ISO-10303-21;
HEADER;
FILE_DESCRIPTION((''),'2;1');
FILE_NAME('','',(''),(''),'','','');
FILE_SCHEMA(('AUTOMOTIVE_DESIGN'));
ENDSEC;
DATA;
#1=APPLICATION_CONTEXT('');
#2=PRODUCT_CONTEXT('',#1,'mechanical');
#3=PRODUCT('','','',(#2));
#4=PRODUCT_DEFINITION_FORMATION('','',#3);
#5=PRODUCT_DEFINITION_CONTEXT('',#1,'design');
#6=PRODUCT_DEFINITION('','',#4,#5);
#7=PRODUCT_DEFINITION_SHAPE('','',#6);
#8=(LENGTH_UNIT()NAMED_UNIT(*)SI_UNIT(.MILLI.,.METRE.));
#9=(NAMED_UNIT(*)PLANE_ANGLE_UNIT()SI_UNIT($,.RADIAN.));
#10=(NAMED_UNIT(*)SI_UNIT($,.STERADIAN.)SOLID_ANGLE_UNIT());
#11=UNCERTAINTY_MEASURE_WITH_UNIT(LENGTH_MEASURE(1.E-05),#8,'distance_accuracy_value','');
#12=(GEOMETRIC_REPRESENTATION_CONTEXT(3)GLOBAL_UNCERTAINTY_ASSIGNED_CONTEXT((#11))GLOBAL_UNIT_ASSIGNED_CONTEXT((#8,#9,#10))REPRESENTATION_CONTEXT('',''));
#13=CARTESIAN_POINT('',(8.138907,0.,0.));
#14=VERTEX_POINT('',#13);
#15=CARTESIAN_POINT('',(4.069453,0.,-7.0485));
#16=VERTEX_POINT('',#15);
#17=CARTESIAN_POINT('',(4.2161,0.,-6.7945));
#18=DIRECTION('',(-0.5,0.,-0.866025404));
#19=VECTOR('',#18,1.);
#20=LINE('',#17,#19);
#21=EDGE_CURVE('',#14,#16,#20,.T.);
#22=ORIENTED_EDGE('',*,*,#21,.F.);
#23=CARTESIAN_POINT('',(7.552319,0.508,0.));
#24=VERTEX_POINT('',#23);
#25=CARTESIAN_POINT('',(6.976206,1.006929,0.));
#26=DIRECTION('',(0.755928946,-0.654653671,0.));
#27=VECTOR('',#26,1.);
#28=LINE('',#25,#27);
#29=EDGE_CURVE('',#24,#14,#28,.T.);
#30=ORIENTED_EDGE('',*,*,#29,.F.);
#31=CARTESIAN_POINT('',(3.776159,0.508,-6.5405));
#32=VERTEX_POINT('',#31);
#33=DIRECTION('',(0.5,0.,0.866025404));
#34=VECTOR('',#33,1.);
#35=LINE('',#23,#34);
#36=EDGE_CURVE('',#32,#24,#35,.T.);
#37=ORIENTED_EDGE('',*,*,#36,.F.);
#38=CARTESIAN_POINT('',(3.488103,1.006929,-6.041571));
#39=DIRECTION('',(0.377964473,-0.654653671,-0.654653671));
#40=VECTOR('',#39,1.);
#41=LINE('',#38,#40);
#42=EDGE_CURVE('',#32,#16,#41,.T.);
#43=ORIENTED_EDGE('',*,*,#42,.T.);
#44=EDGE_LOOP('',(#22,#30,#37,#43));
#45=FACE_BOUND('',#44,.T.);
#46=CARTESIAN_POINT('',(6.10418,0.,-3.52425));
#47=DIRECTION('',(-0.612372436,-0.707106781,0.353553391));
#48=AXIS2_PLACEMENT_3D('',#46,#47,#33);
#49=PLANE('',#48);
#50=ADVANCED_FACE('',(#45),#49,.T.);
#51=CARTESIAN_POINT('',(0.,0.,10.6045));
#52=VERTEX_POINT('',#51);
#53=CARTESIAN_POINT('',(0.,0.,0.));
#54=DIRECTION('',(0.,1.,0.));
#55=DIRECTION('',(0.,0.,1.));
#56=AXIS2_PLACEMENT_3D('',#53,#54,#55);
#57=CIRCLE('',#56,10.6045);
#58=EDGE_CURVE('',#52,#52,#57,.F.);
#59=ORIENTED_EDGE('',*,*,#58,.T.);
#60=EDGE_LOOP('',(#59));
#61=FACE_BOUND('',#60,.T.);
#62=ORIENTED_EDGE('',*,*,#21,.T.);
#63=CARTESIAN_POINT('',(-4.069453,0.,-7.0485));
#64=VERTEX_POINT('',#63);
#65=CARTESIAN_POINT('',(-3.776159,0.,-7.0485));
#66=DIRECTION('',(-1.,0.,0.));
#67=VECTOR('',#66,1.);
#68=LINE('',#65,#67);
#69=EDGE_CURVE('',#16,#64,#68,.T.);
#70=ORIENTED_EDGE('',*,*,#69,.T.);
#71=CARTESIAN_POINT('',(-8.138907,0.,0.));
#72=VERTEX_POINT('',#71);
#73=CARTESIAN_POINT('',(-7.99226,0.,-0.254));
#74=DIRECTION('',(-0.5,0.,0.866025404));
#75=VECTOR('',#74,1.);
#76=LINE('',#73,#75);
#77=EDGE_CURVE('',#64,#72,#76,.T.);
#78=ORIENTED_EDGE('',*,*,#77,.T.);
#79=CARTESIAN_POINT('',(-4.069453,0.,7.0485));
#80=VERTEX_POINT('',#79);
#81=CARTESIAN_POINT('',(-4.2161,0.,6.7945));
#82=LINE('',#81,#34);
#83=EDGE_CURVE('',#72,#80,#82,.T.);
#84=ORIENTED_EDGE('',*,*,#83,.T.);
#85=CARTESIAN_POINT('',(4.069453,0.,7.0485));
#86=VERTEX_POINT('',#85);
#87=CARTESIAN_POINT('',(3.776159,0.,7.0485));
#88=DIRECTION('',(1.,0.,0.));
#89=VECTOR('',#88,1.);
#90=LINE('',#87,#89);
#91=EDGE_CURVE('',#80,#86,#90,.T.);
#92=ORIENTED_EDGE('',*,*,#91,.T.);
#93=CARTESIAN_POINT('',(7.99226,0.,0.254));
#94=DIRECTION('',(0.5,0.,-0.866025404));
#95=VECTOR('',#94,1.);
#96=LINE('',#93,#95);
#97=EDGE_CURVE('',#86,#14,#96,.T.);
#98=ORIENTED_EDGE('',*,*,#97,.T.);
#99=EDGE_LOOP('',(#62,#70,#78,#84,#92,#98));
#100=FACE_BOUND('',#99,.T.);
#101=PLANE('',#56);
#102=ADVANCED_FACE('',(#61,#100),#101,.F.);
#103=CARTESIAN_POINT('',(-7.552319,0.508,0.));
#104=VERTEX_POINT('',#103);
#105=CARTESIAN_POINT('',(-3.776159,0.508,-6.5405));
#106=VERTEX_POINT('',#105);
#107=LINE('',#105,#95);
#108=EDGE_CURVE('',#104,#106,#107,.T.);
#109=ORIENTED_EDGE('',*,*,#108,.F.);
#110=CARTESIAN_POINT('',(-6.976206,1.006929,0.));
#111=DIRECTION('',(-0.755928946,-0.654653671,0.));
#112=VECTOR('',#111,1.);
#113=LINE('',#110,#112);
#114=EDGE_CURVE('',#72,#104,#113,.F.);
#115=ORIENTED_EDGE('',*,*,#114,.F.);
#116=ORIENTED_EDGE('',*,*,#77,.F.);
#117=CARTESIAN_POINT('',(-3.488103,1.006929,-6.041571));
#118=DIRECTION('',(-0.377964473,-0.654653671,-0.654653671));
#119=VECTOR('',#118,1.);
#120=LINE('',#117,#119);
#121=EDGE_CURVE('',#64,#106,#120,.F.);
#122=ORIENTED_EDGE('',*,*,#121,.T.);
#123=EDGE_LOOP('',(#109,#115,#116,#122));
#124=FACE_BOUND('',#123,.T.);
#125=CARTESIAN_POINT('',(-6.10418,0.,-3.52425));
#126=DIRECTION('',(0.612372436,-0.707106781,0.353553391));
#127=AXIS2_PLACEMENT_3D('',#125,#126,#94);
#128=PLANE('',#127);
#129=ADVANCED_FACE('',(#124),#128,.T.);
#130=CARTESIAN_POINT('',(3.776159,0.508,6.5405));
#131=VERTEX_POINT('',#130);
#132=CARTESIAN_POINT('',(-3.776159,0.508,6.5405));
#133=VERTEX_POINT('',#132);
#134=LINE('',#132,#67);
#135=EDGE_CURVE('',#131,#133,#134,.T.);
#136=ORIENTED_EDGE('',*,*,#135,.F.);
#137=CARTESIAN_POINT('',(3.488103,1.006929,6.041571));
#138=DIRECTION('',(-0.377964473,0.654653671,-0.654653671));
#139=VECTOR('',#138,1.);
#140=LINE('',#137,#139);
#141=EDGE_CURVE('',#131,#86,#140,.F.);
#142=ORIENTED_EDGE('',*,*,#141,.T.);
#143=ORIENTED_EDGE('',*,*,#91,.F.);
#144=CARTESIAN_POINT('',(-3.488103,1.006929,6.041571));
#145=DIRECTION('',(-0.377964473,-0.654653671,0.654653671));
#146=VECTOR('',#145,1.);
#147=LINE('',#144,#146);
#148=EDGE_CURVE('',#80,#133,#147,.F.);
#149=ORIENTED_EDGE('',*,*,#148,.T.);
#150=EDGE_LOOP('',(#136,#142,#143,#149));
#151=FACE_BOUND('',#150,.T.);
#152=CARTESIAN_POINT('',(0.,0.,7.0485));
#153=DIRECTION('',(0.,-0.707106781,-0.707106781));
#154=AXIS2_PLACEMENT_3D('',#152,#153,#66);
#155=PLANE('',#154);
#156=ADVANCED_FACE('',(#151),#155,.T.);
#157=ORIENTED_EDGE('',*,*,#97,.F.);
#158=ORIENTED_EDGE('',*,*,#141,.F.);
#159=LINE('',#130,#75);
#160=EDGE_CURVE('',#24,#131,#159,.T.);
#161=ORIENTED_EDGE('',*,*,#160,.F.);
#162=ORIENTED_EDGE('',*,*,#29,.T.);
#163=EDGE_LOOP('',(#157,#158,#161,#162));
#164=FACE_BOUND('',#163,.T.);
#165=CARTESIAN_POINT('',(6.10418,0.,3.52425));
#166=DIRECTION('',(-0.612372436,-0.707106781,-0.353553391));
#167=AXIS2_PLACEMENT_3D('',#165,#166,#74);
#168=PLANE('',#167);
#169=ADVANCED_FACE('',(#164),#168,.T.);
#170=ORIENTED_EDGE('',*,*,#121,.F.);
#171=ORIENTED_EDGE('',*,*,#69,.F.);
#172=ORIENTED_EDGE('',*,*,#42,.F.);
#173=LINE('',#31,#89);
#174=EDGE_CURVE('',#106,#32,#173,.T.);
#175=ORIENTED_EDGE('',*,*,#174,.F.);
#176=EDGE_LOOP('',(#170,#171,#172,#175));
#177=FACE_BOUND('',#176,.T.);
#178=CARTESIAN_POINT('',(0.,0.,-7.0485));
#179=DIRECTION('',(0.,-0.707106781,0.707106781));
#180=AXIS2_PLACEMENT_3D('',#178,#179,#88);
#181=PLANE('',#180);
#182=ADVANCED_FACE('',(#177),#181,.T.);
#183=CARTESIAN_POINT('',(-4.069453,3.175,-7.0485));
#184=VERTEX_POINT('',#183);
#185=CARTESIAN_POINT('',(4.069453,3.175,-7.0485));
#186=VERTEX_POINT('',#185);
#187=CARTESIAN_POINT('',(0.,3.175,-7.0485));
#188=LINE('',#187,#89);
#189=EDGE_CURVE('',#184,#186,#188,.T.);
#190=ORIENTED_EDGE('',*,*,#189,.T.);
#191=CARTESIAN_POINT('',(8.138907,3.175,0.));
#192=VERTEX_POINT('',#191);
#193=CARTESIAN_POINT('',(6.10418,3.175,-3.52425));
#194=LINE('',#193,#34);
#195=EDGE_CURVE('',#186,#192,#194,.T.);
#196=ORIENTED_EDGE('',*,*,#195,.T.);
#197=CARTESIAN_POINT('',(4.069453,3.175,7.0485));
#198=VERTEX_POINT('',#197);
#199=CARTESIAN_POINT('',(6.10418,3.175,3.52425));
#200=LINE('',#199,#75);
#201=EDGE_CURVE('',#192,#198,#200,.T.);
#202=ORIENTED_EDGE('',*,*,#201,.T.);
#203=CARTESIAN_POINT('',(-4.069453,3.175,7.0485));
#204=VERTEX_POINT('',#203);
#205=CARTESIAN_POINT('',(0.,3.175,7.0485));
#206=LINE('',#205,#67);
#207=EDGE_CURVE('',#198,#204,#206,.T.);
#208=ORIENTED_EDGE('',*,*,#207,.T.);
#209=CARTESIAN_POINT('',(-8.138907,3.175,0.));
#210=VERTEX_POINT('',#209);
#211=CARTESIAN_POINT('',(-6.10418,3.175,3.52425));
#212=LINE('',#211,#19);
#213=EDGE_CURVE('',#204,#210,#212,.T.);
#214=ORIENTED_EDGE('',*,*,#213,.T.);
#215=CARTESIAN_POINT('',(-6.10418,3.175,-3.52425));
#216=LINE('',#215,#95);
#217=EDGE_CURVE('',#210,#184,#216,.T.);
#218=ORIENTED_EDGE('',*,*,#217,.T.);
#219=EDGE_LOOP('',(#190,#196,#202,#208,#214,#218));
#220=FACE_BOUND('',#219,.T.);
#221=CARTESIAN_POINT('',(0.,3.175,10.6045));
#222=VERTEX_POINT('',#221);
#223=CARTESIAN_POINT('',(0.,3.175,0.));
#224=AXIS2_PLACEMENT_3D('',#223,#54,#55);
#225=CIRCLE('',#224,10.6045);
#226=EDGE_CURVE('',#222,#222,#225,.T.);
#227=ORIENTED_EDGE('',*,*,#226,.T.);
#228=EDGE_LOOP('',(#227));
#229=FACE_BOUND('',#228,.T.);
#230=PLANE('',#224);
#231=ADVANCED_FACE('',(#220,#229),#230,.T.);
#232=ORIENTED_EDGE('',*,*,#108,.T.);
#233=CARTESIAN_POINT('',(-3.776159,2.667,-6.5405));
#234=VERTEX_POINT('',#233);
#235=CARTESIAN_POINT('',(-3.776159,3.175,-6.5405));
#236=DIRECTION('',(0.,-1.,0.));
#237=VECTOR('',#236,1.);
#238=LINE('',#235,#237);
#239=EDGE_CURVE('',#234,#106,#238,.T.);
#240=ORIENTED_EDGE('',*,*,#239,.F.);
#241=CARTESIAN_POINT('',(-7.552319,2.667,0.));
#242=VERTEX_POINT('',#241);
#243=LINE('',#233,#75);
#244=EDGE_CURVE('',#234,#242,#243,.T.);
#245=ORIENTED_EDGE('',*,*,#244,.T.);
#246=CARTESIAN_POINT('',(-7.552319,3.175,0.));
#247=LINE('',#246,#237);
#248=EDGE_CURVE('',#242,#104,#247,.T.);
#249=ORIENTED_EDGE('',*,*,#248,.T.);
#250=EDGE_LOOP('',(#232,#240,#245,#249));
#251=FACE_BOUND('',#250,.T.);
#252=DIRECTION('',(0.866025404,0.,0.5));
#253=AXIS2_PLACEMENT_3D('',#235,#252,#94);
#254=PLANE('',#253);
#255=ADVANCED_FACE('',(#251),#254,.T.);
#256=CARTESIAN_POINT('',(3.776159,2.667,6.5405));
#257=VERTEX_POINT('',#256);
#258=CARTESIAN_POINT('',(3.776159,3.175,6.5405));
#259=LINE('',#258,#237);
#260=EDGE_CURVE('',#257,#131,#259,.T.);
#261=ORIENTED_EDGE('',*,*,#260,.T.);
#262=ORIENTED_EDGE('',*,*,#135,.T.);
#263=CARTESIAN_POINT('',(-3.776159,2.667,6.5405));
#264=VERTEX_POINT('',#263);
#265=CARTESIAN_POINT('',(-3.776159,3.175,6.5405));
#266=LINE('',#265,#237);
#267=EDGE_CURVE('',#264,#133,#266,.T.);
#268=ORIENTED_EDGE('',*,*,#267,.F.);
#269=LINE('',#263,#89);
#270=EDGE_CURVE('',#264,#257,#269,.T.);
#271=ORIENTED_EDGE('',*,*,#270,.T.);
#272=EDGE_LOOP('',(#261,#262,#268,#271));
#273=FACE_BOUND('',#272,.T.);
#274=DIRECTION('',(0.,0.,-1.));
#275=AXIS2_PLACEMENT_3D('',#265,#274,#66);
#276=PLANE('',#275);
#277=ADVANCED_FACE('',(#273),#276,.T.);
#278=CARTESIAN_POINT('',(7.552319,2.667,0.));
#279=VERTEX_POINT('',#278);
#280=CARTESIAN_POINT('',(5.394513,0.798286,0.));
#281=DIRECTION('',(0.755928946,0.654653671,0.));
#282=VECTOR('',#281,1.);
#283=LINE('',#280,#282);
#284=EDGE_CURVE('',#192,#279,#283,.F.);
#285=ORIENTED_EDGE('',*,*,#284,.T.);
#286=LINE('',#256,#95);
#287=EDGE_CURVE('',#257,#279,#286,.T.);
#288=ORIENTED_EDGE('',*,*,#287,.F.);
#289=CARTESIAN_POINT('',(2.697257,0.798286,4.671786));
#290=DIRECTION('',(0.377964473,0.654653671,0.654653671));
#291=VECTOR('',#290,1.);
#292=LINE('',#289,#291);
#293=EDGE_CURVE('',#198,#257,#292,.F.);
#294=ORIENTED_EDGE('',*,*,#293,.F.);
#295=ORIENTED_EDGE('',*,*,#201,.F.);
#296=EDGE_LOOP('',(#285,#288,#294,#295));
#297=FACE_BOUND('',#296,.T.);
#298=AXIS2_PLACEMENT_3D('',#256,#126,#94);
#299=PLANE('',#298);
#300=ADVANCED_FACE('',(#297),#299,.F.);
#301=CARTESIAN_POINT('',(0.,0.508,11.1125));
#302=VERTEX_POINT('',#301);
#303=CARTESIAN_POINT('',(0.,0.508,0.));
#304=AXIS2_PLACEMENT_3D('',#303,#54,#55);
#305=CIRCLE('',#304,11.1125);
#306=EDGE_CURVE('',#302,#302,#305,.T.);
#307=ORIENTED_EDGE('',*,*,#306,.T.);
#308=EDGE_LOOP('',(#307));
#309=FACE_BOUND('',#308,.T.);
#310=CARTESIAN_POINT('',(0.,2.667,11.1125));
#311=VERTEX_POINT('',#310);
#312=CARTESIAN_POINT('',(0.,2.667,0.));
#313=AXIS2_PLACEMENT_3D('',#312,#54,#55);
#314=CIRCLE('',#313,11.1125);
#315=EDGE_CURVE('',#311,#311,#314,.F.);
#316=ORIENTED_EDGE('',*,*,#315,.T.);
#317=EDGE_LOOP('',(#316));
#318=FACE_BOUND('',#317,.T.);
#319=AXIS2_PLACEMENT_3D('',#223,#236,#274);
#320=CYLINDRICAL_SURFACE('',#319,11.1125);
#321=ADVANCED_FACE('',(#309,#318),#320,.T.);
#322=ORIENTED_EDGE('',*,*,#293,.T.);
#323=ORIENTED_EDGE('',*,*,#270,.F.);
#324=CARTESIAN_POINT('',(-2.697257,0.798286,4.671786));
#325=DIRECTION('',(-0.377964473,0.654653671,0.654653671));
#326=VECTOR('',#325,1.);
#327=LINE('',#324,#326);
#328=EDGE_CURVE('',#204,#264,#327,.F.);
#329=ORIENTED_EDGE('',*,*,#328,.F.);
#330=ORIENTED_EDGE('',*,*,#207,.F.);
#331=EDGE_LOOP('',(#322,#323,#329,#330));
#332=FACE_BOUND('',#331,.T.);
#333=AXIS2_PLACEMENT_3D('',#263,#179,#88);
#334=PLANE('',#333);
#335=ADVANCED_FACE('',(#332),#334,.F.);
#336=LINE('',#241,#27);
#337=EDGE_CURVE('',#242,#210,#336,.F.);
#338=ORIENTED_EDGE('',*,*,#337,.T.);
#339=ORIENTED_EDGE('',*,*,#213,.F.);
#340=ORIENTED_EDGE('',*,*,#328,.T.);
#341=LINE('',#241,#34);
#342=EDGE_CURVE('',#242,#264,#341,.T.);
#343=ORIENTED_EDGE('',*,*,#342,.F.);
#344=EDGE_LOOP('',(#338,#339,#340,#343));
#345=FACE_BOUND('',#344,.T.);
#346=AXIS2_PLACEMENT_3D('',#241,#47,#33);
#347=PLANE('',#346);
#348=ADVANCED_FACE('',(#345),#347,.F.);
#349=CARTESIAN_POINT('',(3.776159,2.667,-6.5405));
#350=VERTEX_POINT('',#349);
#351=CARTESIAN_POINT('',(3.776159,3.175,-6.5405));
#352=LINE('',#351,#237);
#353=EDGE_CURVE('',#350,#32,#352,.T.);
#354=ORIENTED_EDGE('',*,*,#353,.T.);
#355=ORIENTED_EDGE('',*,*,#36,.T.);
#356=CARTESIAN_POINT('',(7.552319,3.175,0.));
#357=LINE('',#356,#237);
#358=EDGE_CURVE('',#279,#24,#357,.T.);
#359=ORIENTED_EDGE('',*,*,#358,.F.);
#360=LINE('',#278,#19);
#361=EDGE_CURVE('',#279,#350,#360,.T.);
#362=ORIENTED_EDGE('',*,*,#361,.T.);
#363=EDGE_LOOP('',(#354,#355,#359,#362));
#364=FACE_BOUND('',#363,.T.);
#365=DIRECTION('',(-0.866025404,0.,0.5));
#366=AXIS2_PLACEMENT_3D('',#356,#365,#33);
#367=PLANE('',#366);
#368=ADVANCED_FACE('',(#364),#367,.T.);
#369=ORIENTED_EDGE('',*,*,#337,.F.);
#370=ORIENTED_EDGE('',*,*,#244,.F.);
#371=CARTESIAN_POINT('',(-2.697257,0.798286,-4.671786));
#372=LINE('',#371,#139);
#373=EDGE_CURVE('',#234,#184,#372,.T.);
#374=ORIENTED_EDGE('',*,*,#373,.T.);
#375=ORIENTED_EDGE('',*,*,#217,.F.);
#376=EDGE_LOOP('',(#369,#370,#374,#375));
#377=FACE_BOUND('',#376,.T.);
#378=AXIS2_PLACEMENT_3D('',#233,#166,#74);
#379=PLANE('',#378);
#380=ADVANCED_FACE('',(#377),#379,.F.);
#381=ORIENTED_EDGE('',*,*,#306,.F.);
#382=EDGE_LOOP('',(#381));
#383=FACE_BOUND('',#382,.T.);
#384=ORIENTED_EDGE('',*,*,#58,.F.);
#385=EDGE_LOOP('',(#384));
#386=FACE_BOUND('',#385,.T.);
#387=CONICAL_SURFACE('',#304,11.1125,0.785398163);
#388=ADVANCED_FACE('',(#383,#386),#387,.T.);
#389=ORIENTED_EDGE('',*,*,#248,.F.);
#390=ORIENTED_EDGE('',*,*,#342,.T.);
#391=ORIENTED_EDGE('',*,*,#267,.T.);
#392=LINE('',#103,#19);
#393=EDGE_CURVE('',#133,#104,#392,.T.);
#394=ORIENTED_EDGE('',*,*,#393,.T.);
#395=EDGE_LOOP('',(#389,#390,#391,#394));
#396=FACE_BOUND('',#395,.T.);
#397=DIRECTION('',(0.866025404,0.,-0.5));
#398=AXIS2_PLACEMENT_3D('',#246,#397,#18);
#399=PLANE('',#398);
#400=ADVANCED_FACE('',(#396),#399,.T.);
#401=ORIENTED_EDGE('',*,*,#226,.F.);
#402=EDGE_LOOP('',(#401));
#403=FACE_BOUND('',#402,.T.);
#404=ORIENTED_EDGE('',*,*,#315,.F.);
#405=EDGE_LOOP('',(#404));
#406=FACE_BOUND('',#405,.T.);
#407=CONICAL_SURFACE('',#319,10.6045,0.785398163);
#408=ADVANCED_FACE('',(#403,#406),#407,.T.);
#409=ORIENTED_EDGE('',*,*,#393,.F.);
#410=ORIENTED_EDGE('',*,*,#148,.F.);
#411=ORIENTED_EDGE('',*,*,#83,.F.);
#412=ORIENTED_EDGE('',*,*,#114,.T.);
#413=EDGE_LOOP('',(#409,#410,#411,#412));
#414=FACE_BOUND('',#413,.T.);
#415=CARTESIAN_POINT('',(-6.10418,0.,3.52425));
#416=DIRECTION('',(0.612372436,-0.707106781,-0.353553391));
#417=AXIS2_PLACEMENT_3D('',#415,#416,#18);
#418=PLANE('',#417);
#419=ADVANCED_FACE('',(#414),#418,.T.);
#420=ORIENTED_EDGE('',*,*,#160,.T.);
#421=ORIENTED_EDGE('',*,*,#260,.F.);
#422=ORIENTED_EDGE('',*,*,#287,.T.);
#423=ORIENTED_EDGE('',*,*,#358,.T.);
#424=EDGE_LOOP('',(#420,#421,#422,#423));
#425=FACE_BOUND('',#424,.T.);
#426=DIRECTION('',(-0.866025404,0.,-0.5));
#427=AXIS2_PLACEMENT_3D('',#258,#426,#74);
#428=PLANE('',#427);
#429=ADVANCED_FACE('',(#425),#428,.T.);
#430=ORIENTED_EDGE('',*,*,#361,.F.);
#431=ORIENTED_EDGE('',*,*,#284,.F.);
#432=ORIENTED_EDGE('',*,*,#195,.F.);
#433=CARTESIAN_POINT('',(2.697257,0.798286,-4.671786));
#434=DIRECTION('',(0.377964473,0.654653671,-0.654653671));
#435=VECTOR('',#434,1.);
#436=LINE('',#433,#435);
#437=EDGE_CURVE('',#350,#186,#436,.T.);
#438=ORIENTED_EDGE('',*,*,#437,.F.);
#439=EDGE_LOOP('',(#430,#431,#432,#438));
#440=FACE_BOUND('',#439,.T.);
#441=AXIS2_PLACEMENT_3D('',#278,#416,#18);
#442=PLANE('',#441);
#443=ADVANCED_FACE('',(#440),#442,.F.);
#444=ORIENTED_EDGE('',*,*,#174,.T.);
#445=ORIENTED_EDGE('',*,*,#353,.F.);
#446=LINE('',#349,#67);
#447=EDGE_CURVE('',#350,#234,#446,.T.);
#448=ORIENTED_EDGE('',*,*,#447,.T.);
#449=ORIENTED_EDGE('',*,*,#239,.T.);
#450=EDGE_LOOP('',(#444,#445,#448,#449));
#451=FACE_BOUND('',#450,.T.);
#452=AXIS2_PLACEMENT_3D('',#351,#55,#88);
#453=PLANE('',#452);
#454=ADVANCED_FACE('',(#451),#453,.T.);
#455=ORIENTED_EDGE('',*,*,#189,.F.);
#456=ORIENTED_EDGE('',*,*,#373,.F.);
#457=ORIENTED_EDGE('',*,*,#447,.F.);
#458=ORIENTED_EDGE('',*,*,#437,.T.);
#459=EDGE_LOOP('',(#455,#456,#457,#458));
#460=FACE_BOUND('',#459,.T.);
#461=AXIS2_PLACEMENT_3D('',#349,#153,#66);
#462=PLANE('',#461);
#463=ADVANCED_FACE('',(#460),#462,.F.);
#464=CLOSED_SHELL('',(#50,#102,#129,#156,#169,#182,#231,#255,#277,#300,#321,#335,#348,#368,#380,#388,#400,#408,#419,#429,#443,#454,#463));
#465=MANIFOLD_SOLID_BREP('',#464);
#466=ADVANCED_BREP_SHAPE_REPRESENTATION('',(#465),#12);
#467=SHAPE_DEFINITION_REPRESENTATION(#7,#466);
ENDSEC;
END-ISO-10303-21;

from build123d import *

# Parameters (mm, degrees)
SKETCH1_R           = 11.1125
BOSS_EXTRUDE1_DEPTH = 3.175
CHAMFER1_SIZE       = 0.508


with BuildPart() as part:
    # Sketch1 → Boss-Extrude1 (new body)
    with BuildSketch(Plane(origin=(0, 0, 0), x_dir=(1, 0, 0), z_dir=(0, 1, 0))):
        with Locations(Location((0, 0, 0), (0, 0, 270))):
            Circle(SKETCH1_R)
        Polygon((7.552318871, 0), (3.776159436, 6.5405), (-3.776159436, 6.5405), (-7.552318871, 0), (-3.776159436, -6.5405), (3.776159436, -6.5405), align=None, mode=Mode.SUBTRACT)
    extrude(amount=BOSS_EXTRUDE1_DEPTH)

    # Chamfer1
    chamfer1_edges = [part.edges().sort_by_distance(p)[0] for p in [
        (0, 0, -6.5405),
        (-5.664239153, 0, -3.27025),
        (-5.664239153, 0, 3.27025),
        (0, 0, 6.5405),
        (5.664239153, 3.175, 3.27025),
        (5.664239153, 3.175, -3.27025),
        (0, 3.175, -6.5405),
        (-5.664239153, 3.175, -3.27025),
        (-5.664239153, 3.175, 3.27025),
        (0, 3.175, 6.5405),
        (0, 0, -11.1125),
        (0, 3.175, -11.1125),
        (5.664239153, 0, 3.27025),
        (5.664239153, 0, -3.27025),
    ]]
    chamfer(chamfer1_edges, length=CHAMFER1_SIZE)


solid = part.part
